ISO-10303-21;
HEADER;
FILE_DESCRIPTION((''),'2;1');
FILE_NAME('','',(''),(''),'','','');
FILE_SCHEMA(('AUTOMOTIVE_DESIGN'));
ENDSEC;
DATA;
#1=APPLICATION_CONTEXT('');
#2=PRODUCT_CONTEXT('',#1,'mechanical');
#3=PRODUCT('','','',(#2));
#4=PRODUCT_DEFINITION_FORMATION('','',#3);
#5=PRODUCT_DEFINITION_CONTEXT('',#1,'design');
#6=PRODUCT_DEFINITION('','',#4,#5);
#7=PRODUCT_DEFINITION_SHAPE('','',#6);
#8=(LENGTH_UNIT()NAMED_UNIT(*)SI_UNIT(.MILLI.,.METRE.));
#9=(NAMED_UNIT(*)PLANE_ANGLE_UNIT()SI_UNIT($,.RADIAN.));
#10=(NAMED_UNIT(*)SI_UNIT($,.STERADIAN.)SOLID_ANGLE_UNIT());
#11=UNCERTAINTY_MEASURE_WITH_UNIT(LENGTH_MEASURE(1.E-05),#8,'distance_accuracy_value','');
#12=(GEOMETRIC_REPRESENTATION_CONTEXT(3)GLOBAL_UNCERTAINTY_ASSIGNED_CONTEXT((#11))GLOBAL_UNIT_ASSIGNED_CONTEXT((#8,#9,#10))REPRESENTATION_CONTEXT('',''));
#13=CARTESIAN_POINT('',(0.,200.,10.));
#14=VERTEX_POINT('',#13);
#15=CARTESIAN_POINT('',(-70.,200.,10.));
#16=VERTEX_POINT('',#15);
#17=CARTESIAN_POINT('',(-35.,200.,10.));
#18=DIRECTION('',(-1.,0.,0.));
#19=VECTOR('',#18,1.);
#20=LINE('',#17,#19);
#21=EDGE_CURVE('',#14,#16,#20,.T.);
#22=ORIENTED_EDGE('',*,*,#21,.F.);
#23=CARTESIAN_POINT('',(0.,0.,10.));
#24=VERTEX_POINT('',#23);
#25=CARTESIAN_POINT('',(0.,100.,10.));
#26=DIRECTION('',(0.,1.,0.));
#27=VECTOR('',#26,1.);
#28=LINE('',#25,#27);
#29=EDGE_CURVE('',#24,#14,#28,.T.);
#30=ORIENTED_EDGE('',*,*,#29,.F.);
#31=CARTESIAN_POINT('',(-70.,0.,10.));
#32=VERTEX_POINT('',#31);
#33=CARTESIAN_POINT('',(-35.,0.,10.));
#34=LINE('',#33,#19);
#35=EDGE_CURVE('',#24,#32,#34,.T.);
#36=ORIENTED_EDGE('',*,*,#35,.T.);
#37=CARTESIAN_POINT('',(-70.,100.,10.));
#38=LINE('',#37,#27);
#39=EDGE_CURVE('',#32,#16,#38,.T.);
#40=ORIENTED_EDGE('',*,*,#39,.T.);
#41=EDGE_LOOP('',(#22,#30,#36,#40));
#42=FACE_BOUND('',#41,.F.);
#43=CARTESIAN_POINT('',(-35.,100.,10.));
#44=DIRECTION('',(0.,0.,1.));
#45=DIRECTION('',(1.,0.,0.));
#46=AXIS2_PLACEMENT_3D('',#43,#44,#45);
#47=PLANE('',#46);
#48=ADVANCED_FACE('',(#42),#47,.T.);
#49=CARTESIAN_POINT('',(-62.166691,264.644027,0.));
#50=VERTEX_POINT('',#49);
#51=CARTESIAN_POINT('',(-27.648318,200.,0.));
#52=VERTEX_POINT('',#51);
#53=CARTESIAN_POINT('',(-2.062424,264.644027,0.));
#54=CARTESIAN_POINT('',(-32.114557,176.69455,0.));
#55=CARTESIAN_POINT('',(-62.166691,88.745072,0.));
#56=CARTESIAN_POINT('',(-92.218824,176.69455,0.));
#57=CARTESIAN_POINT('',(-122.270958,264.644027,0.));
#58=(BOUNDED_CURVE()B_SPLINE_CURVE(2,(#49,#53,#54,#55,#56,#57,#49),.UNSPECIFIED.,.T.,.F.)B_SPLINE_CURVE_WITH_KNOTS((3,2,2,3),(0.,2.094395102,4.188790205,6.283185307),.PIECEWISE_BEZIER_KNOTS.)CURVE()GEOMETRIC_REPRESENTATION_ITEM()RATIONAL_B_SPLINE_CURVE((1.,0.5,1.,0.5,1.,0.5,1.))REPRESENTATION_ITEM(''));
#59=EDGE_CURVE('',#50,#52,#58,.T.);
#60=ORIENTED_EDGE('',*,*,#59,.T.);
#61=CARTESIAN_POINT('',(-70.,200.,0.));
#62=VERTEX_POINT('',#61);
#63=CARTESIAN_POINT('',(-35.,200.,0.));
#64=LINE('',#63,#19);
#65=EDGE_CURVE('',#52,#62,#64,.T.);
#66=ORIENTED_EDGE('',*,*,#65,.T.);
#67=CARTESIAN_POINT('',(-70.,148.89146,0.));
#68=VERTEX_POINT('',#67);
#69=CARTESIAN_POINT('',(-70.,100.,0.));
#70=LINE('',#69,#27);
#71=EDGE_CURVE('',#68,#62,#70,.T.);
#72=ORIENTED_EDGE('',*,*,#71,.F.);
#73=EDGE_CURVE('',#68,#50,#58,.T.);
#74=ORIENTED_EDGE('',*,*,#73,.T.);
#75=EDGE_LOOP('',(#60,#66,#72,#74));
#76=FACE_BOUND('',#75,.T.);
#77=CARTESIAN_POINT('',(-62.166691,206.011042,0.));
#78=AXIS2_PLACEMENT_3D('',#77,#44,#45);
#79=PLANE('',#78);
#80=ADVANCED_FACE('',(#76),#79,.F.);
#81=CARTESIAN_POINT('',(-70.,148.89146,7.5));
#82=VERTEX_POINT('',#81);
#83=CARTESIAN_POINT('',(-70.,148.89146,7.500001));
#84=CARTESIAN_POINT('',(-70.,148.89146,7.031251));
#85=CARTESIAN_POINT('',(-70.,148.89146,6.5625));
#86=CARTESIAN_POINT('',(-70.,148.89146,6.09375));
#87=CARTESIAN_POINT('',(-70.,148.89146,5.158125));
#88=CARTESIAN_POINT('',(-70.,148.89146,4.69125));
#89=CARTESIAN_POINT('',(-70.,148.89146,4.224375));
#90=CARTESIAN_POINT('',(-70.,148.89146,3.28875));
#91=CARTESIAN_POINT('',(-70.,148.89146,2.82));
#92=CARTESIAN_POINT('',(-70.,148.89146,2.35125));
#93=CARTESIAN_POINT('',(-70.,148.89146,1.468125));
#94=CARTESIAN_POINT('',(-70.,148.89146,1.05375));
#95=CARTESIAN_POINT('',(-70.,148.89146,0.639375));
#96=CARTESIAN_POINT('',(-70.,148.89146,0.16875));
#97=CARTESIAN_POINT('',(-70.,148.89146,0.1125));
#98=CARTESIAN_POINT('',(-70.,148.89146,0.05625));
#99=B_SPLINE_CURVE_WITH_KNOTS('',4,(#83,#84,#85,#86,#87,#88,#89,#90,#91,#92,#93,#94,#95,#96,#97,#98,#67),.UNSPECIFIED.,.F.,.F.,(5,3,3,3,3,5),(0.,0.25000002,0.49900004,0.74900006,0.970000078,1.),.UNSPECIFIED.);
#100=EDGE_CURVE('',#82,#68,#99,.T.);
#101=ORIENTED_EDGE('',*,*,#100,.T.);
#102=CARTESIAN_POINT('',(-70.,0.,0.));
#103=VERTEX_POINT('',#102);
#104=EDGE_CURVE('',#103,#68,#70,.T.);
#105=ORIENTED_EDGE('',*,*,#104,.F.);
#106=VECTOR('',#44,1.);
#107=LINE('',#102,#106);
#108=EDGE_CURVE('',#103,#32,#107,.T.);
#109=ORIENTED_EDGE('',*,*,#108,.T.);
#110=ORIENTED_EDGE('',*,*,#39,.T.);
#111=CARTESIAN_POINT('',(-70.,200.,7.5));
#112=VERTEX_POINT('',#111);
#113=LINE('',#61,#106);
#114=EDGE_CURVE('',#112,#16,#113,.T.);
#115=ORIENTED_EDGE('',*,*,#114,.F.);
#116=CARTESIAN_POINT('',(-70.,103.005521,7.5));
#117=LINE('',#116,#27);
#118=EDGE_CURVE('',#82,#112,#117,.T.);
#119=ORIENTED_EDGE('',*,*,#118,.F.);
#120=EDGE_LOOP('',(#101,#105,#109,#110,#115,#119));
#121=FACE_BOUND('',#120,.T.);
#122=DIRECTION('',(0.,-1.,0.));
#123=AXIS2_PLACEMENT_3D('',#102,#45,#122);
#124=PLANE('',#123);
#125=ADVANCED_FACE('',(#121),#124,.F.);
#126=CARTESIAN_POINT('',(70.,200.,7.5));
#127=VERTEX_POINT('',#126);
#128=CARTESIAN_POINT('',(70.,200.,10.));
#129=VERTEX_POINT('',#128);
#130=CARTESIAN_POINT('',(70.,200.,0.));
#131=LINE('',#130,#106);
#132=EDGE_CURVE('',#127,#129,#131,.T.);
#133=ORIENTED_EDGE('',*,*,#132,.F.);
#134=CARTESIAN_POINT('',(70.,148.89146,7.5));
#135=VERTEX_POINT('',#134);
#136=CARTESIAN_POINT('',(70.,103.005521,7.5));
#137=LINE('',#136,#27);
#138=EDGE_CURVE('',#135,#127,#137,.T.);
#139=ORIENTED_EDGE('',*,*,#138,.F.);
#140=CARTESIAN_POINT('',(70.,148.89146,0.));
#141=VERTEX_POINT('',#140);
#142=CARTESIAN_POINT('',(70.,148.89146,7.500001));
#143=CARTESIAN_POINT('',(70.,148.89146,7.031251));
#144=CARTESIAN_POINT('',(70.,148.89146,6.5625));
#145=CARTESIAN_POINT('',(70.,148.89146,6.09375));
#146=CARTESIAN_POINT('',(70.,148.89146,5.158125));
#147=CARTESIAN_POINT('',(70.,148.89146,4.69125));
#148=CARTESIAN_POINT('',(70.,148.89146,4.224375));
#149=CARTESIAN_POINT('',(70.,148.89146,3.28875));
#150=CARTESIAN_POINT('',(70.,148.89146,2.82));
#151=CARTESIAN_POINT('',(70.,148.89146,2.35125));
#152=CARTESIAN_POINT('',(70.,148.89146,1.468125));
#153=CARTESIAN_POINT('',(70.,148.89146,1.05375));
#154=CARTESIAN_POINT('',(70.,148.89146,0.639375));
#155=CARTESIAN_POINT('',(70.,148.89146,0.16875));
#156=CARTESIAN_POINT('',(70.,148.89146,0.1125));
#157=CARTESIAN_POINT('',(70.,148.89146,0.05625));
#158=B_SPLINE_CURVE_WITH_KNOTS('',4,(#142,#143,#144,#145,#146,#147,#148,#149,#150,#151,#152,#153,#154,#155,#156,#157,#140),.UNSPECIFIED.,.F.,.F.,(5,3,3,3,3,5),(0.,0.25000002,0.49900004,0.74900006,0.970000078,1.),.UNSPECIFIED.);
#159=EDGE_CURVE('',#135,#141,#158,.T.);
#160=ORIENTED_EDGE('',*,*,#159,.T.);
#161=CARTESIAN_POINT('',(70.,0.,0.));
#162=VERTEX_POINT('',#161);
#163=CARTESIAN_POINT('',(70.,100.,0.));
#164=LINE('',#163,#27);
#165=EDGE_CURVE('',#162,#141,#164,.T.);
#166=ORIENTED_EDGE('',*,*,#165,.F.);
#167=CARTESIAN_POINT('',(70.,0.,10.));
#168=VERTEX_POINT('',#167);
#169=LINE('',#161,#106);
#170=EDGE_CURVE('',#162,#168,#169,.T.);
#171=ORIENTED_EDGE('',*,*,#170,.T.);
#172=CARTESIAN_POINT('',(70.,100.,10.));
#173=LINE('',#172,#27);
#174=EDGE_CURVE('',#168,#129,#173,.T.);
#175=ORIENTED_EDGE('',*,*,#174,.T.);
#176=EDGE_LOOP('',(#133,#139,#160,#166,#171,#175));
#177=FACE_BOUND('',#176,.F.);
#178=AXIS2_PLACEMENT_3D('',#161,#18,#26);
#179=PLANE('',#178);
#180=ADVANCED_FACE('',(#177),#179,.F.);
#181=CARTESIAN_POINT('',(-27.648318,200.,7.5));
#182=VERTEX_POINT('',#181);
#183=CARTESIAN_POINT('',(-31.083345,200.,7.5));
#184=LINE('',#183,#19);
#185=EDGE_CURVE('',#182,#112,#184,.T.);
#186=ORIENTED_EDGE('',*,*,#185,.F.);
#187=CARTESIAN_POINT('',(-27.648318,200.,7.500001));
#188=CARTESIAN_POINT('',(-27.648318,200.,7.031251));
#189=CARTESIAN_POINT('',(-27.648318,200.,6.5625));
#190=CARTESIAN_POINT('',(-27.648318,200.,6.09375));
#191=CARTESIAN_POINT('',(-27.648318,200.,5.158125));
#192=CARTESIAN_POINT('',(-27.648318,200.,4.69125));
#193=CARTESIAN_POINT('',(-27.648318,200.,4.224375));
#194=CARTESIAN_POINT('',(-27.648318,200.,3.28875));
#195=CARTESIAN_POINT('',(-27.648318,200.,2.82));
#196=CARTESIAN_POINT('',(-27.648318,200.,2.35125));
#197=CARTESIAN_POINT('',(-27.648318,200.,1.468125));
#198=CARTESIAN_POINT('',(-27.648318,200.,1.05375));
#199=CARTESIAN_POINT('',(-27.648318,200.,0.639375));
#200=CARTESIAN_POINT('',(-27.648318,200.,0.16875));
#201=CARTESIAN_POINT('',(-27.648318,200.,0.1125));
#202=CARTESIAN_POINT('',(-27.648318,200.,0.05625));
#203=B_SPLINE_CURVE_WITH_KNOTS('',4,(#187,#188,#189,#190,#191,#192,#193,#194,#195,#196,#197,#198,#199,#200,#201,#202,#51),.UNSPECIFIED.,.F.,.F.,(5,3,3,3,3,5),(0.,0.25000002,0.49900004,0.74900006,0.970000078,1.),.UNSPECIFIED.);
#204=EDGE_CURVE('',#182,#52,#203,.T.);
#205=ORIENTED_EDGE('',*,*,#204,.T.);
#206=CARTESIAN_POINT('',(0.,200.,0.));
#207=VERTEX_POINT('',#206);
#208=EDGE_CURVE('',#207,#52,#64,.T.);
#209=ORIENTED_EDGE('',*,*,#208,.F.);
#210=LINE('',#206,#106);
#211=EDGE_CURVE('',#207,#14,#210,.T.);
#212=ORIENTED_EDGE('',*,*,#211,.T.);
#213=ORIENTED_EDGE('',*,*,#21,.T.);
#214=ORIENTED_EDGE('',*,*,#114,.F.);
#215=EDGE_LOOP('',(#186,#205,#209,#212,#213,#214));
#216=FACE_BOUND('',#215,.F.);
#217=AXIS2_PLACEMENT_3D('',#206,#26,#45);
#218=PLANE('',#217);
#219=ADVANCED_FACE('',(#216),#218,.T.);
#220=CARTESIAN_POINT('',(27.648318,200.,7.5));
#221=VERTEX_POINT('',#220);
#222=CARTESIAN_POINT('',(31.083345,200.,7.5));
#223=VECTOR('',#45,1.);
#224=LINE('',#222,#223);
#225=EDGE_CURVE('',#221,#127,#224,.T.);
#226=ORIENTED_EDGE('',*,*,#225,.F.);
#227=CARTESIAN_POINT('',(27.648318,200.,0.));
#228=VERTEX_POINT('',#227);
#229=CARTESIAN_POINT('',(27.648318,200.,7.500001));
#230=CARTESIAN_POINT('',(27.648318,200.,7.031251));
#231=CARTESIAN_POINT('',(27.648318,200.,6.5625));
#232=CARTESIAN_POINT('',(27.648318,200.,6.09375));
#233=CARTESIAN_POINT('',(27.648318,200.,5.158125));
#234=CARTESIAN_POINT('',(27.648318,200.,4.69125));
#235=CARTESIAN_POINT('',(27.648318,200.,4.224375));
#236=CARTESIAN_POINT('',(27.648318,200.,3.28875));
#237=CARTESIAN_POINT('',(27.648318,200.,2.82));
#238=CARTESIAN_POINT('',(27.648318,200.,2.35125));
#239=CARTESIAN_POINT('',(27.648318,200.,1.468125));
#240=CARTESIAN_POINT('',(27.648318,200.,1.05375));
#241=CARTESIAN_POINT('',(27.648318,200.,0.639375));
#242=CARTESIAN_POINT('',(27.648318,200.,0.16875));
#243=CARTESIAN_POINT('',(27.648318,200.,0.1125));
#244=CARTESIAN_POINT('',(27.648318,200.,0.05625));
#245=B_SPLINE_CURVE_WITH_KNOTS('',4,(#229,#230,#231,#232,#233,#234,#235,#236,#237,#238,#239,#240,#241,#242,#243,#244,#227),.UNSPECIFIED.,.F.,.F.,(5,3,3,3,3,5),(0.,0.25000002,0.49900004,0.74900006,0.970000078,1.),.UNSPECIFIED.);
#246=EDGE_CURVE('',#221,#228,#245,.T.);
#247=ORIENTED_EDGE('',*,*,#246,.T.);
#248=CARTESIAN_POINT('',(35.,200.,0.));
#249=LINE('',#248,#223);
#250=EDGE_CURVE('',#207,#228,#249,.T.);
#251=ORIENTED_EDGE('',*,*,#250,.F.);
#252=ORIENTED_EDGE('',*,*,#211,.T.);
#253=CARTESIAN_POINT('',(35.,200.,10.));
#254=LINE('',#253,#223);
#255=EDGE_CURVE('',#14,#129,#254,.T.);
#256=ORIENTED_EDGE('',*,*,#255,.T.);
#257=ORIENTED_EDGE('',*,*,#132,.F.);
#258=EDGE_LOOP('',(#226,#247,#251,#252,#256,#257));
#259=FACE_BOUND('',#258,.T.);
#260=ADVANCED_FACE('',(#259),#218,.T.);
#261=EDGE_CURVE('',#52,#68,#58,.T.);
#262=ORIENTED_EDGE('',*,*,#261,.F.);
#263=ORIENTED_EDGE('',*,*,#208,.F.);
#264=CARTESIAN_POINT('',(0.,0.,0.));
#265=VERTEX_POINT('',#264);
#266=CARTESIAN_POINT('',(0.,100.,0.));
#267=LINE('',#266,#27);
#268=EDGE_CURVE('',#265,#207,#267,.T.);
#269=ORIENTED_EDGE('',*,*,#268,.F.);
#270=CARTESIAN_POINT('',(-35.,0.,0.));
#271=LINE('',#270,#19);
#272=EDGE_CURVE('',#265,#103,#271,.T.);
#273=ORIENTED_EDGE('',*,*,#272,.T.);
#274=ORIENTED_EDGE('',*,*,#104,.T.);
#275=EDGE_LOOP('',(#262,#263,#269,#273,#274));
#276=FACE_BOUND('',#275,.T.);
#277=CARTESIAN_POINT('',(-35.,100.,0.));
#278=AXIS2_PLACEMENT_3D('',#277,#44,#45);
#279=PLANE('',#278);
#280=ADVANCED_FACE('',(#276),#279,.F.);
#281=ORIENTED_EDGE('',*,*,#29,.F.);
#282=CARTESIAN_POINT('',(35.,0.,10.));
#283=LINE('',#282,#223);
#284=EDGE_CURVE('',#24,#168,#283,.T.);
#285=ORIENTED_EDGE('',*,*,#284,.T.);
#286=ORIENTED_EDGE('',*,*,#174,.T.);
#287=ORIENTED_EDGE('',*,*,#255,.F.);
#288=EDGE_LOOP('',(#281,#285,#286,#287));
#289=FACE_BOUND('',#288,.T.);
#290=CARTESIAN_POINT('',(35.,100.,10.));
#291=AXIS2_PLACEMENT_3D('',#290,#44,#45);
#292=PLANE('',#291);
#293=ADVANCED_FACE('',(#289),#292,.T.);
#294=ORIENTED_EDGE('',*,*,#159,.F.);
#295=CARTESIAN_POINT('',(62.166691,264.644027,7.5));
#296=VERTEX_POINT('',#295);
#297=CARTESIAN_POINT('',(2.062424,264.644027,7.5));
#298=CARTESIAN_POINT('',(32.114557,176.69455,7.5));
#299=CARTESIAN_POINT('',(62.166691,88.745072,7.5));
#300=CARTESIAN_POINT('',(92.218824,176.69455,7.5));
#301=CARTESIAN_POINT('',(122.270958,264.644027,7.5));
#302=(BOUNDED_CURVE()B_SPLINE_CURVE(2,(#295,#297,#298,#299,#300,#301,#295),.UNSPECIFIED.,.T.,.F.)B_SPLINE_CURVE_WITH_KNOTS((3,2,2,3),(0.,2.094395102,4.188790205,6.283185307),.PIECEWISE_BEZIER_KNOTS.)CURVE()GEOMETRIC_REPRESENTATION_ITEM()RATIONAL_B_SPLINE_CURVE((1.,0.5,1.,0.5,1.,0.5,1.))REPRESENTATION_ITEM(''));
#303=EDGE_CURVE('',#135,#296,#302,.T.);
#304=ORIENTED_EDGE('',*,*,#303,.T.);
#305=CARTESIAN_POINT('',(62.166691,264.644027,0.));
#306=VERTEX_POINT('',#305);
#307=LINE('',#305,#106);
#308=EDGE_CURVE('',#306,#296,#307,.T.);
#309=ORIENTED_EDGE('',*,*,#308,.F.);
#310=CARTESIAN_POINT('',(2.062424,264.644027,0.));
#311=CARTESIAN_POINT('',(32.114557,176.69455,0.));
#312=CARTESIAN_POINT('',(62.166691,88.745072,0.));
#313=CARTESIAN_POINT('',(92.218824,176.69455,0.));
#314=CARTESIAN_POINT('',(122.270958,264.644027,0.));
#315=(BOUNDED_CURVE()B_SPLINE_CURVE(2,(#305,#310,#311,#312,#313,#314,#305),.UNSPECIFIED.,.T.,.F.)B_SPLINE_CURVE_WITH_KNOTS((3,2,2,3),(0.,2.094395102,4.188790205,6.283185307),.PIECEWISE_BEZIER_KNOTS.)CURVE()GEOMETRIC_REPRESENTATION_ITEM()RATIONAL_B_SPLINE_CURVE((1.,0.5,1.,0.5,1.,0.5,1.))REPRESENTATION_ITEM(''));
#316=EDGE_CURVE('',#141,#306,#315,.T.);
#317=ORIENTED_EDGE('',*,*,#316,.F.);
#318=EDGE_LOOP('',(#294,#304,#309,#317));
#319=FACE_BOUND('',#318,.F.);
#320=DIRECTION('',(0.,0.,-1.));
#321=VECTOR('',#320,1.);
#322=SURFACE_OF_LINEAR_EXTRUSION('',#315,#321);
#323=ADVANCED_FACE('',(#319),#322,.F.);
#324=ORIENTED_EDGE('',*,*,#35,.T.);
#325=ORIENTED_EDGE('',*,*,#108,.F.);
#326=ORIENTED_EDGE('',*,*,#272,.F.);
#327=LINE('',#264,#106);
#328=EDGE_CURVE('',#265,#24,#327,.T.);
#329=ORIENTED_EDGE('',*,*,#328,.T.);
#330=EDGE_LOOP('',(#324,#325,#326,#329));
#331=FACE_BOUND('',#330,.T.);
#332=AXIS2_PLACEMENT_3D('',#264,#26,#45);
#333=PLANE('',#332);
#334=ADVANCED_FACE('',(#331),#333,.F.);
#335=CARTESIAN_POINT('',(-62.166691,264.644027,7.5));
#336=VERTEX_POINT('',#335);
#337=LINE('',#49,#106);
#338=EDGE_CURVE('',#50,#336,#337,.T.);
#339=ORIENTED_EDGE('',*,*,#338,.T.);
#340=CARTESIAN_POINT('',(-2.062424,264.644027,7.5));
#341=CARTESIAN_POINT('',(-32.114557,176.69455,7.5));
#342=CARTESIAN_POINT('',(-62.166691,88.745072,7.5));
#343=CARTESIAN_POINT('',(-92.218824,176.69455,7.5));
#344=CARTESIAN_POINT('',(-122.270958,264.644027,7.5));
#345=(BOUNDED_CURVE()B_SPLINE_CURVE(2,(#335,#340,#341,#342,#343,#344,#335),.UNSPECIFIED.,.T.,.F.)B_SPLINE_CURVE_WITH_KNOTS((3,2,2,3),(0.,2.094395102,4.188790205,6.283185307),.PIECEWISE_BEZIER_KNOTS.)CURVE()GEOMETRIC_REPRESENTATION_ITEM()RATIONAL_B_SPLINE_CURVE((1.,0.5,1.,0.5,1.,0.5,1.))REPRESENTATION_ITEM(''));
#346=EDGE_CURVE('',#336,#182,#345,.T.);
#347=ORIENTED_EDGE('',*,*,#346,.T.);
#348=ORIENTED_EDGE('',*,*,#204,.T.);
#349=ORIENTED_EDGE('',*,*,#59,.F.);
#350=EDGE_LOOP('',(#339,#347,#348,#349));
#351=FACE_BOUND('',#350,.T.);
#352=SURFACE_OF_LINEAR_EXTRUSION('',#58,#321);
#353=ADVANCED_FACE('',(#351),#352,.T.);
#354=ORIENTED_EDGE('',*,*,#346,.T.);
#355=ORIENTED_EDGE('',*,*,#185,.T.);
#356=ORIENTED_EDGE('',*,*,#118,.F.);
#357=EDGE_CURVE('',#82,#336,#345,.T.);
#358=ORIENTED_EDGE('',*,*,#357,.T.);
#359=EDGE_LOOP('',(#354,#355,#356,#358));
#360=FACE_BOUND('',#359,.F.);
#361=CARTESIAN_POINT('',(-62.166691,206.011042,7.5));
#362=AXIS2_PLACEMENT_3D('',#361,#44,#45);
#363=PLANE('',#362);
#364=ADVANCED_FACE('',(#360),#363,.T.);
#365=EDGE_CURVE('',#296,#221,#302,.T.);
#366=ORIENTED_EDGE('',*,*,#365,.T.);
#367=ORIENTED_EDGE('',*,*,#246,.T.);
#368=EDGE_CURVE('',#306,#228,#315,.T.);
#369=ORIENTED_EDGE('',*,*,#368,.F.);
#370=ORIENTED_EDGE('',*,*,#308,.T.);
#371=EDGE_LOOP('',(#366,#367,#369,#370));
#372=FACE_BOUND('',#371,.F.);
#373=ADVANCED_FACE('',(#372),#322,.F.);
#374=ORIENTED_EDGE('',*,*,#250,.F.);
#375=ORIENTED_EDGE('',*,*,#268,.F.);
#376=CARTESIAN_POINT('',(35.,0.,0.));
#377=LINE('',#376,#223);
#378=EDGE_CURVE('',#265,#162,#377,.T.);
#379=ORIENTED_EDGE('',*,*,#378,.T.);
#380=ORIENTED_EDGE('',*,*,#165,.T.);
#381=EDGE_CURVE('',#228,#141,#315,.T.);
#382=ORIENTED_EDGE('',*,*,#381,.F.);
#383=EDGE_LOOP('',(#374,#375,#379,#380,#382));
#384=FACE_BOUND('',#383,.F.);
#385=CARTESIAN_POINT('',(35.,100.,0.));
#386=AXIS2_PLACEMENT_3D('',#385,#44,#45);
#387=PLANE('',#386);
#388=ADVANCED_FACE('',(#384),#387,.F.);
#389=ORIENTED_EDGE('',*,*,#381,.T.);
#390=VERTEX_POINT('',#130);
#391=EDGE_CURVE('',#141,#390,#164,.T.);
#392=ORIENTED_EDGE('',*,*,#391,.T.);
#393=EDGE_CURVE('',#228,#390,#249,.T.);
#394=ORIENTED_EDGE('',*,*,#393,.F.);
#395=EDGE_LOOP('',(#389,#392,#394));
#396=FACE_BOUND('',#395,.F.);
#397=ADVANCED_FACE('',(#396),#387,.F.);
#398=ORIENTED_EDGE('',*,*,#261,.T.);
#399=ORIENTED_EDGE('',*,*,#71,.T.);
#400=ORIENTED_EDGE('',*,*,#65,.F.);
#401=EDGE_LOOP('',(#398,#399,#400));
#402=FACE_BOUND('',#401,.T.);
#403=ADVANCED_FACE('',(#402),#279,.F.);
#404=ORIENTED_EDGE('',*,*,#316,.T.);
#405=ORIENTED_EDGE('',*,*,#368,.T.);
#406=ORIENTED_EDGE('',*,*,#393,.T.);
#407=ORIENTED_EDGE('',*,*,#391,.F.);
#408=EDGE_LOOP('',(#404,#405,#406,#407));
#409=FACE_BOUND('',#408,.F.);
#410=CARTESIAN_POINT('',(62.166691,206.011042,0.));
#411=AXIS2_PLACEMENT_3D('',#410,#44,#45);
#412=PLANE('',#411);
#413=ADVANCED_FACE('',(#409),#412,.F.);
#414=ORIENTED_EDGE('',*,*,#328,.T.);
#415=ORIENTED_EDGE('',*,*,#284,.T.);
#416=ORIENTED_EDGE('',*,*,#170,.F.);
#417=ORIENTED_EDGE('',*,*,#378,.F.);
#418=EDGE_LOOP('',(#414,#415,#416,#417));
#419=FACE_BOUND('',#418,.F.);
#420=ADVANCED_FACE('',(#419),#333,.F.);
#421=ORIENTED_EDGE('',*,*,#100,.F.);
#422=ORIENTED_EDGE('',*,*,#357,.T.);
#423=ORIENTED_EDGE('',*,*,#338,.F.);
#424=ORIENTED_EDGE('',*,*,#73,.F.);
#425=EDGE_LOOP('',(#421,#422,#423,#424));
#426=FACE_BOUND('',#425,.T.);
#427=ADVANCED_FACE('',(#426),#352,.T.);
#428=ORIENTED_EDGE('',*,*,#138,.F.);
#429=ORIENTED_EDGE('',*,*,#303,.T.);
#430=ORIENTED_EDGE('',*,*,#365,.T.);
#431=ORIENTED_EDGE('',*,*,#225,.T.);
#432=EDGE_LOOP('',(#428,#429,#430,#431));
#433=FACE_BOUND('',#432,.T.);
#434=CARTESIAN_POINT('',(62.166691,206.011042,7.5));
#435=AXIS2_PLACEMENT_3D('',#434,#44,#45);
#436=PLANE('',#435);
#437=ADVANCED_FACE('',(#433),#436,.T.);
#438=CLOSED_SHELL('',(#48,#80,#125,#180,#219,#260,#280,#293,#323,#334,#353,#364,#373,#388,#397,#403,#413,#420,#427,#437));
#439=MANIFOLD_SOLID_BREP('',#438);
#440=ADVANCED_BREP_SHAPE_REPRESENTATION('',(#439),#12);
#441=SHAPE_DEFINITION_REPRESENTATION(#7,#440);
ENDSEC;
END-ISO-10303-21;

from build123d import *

# Parameters (mm, degrees)
F1_W     = 70
F1_H     = 200
F2_DEPTH = 10
F4_DEPTH = 7.5


with BuildPart() as f2:
    # F1 (on face) → F2 (new body)
    with BuildSketch(Plane.XY):
        with Locations((35, 100)):
            Rectangle(F1_W, F1_H)
    extrude(amount=F2_DEPTH)

    # F3 (on Top) → F4 (join)
    with BuildSketch(Plane.XY):
        with BuildLine():
            add(Edge.make_bspline(
                [(62.1666908264, 264.6440267563), (2.0624235929, 264.6440267563), (32.1145572097, 176.6945496202), (62.1666908264, 88.745072484), (92.2188244432, 176.6945496202), (122.2709580599, 264.6440267563), (62.1666908264, 264.6440267563)],
                knots=[0, 0, 0, 2.0943951024, 2.0943951024, 4.1887902048, 4.1887902048, 6.2831853072, 6.2831853072, 6.2831853072], degree=2, weights=[1, 0.5, 1, 0.5, 1, 0.5, 1]))
        make_face()
    extrude(amount=F4_DEPTH)

    # F5: F2 across plane


with BuildPart() as f2_1:
    add(f2.part)
    add(f2.part.mirror(Plane.YZ))


solid = f2_1.part
